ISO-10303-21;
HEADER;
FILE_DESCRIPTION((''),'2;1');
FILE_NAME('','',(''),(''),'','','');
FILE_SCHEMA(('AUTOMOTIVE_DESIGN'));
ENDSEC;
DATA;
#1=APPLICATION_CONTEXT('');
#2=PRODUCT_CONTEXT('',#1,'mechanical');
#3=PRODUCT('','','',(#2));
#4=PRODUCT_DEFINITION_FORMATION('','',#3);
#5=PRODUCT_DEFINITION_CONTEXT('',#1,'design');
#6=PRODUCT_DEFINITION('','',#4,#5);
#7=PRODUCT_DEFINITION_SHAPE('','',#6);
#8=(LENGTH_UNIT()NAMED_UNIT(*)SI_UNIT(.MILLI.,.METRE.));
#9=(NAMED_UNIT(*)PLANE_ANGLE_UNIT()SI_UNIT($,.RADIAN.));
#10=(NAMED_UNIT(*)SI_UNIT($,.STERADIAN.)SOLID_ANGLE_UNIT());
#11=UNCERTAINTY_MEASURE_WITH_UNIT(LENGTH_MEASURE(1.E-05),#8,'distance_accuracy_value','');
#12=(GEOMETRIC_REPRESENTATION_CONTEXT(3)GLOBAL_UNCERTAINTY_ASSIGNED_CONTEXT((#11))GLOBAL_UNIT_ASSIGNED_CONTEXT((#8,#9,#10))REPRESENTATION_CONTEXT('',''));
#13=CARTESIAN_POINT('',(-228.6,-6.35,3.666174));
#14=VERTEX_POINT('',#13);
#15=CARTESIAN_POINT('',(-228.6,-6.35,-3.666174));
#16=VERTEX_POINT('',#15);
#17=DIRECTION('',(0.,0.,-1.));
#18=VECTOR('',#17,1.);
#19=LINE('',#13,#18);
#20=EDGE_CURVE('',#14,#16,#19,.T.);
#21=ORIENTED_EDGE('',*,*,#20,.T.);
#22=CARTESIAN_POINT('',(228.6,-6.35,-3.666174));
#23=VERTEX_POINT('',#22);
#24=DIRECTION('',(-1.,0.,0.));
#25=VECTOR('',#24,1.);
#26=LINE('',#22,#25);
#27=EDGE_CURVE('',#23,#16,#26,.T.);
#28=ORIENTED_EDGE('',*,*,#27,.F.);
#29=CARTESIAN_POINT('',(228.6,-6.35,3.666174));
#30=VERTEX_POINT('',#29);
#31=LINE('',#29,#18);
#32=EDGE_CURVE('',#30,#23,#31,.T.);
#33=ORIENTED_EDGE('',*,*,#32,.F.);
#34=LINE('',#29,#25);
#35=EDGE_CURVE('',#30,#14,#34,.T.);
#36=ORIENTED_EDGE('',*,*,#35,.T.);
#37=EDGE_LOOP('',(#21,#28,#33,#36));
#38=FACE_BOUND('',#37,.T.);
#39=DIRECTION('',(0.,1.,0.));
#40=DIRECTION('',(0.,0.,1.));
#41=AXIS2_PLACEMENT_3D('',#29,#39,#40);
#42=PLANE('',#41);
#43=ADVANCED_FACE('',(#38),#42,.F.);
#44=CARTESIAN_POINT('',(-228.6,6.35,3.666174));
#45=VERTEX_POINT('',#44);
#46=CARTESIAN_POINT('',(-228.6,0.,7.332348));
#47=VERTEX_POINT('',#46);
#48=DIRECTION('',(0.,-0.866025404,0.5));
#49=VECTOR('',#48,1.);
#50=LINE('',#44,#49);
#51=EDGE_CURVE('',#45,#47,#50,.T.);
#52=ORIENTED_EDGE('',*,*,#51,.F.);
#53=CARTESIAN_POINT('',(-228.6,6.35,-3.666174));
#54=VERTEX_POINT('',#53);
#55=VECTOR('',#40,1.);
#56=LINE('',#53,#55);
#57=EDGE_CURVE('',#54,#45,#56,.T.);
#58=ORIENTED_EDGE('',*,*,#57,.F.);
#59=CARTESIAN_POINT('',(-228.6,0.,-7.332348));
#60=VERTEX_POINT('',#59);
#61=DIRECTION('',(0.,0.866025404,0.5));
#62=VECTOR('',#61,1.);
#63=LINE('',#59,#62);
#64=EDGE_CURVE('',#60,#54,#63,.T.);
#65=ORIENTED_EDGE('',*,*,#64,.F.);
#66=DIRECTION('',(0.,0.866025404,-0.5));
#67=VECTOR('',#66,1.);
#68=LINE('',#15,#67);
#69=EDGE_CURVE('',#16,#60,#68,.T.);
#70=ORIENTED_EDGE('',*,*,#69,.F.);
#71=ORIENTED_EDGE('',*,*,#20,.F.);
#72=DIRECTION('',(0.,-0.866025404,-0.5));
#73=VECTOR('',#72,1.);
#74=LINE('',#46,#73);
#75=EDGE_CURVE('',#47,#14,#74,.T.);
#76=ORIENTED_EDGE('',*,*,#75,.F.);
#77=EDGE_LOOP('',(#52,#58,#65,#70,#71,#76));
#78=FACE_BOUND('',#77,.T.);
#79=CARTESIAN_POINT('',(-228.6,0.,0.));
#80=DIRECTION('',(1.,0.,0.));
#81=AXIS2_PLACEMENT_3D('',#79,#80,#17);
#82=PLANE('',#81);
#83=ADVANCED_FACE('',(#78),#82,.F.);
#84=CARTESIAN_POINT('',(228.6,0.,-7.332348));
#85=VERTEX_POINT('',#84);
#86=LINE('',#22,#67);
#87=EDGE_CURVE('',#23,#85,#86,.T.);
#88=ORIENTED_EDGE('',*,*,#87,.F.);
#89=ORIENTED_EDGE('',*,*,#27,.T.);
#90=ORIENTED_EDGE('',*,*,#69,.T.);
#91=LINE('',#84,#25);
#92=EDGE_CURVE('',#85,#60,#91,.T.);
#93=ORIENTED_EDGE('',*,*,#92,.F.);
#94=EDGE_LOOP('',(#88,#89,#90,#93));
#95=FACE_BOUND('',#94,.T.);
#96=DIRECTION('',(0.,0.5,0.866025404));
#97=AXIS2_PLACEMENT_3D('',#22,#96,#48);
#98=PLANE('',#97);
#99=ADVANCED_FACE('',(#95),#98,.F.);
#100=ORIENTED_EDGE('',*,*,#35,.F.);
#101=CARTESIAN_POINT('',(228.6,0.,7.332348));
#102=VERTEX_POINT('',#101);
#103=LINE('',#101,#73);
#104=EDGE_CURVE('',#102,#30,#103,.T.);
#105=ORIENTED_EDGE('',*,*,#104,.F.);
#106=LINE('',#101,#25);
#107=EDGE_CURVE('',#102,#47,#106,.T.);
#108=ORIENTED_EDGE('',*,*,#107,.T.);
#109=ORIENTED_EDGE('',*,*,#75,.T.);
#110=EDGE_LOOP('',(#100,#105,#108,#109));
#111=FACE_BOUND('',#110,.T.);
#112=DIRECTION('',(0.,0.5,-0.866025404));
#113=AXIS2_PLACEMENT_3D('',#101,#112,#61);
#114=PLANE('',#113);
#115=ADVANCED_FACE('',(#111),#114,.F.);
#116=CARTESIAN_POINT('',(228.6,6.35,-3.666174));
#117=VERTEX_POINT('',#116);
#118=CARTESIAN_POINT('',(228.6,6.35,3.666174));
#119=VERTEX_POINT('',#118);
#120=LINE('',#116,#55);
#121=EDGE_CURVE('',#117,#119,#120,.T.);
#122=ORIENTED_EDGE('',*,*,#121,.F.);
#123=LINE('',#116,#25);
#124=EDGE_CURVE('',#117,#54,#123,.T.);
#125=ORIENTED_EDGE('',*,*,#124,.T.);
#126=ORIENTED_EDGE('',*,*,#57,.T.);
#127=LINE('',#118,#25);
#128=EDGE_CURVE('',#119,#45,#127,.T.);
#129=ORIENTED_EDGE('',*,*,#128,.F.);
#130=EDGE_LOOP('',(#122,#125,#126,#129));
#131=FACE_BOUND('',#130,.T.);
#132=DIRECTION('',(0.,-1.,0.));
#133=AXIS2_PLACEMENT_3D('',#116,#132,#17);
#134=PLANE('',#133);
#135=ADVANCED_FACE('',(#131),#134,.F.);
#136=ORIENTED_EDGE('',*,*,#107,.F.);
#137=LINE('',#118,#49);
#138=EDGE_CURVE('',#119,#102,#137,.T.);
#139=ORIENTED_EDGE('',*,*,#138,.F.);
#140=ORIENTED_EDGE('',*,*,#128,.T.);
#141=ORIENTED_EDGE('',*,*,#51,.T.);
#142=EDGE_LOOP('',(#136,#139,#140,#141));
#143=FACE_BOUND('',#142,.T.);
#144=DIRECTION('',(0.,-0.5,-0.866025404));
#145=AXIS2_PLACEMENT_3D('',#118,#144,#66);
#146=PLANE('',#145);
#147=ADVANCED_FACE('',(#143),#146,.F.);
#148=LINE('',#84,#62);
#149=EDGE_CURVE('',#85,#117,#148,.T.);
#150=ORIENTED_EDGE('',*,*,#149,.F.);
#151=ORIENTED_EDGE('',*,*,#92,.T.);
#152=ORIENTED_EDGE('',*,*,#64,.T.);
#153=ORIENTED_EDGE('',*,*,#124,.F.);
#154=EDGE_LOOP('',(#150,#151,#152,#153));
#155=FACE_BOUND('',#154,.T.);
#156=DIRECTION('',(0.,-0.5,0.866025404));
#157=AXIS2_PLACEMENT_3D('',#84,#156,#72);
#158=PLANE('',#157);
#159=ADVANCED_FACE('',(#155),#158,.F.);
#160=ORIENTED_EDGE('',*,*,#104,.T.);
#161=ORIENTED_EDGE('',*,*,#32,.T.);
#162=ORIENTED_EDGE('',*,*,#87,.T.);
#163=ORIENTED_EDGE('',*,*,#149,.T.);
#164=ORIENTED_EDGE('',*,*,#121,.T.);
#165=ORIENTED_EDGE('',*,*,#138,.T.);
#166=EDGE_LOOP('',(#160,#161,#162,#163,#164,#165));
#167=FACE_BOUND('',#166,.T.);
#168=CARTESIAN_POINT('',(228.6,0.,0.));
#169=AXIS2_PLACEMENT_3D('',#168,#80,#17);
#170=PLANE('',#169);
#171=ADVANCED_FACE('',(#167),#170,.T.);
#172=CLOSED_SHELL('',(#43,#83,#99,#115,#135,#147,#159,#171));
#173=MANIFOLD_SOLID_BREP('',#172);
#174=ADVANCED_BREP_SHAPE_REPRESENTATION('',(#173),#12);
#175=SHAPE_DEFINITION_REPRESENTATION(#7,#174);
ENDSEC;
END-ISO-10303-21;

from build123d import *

# Parameters (mm, degrees)
BOSS_EXTRUDE1_DEPTH = 228.6


with BuildPart() as part:
    # Sketch1 → Boss-Extrude1 (new, symmetric)
    with BuildSketch(Plane(origin=(0, 0, 0), x_dir=(0, 0, -1), z_dir=(1, 0, 0))):
        Polygon((7.332348419, 0), (3.666174209, 6.35), (-3.666174209, 6.35), (-7.332348419, 0), (-3.666174209, -6.35), (3.666174209, -6.35), align=None)
    extrude(amount=BOSS_EXTRUDE1_DEPTH, both=True)


solid = part.part
